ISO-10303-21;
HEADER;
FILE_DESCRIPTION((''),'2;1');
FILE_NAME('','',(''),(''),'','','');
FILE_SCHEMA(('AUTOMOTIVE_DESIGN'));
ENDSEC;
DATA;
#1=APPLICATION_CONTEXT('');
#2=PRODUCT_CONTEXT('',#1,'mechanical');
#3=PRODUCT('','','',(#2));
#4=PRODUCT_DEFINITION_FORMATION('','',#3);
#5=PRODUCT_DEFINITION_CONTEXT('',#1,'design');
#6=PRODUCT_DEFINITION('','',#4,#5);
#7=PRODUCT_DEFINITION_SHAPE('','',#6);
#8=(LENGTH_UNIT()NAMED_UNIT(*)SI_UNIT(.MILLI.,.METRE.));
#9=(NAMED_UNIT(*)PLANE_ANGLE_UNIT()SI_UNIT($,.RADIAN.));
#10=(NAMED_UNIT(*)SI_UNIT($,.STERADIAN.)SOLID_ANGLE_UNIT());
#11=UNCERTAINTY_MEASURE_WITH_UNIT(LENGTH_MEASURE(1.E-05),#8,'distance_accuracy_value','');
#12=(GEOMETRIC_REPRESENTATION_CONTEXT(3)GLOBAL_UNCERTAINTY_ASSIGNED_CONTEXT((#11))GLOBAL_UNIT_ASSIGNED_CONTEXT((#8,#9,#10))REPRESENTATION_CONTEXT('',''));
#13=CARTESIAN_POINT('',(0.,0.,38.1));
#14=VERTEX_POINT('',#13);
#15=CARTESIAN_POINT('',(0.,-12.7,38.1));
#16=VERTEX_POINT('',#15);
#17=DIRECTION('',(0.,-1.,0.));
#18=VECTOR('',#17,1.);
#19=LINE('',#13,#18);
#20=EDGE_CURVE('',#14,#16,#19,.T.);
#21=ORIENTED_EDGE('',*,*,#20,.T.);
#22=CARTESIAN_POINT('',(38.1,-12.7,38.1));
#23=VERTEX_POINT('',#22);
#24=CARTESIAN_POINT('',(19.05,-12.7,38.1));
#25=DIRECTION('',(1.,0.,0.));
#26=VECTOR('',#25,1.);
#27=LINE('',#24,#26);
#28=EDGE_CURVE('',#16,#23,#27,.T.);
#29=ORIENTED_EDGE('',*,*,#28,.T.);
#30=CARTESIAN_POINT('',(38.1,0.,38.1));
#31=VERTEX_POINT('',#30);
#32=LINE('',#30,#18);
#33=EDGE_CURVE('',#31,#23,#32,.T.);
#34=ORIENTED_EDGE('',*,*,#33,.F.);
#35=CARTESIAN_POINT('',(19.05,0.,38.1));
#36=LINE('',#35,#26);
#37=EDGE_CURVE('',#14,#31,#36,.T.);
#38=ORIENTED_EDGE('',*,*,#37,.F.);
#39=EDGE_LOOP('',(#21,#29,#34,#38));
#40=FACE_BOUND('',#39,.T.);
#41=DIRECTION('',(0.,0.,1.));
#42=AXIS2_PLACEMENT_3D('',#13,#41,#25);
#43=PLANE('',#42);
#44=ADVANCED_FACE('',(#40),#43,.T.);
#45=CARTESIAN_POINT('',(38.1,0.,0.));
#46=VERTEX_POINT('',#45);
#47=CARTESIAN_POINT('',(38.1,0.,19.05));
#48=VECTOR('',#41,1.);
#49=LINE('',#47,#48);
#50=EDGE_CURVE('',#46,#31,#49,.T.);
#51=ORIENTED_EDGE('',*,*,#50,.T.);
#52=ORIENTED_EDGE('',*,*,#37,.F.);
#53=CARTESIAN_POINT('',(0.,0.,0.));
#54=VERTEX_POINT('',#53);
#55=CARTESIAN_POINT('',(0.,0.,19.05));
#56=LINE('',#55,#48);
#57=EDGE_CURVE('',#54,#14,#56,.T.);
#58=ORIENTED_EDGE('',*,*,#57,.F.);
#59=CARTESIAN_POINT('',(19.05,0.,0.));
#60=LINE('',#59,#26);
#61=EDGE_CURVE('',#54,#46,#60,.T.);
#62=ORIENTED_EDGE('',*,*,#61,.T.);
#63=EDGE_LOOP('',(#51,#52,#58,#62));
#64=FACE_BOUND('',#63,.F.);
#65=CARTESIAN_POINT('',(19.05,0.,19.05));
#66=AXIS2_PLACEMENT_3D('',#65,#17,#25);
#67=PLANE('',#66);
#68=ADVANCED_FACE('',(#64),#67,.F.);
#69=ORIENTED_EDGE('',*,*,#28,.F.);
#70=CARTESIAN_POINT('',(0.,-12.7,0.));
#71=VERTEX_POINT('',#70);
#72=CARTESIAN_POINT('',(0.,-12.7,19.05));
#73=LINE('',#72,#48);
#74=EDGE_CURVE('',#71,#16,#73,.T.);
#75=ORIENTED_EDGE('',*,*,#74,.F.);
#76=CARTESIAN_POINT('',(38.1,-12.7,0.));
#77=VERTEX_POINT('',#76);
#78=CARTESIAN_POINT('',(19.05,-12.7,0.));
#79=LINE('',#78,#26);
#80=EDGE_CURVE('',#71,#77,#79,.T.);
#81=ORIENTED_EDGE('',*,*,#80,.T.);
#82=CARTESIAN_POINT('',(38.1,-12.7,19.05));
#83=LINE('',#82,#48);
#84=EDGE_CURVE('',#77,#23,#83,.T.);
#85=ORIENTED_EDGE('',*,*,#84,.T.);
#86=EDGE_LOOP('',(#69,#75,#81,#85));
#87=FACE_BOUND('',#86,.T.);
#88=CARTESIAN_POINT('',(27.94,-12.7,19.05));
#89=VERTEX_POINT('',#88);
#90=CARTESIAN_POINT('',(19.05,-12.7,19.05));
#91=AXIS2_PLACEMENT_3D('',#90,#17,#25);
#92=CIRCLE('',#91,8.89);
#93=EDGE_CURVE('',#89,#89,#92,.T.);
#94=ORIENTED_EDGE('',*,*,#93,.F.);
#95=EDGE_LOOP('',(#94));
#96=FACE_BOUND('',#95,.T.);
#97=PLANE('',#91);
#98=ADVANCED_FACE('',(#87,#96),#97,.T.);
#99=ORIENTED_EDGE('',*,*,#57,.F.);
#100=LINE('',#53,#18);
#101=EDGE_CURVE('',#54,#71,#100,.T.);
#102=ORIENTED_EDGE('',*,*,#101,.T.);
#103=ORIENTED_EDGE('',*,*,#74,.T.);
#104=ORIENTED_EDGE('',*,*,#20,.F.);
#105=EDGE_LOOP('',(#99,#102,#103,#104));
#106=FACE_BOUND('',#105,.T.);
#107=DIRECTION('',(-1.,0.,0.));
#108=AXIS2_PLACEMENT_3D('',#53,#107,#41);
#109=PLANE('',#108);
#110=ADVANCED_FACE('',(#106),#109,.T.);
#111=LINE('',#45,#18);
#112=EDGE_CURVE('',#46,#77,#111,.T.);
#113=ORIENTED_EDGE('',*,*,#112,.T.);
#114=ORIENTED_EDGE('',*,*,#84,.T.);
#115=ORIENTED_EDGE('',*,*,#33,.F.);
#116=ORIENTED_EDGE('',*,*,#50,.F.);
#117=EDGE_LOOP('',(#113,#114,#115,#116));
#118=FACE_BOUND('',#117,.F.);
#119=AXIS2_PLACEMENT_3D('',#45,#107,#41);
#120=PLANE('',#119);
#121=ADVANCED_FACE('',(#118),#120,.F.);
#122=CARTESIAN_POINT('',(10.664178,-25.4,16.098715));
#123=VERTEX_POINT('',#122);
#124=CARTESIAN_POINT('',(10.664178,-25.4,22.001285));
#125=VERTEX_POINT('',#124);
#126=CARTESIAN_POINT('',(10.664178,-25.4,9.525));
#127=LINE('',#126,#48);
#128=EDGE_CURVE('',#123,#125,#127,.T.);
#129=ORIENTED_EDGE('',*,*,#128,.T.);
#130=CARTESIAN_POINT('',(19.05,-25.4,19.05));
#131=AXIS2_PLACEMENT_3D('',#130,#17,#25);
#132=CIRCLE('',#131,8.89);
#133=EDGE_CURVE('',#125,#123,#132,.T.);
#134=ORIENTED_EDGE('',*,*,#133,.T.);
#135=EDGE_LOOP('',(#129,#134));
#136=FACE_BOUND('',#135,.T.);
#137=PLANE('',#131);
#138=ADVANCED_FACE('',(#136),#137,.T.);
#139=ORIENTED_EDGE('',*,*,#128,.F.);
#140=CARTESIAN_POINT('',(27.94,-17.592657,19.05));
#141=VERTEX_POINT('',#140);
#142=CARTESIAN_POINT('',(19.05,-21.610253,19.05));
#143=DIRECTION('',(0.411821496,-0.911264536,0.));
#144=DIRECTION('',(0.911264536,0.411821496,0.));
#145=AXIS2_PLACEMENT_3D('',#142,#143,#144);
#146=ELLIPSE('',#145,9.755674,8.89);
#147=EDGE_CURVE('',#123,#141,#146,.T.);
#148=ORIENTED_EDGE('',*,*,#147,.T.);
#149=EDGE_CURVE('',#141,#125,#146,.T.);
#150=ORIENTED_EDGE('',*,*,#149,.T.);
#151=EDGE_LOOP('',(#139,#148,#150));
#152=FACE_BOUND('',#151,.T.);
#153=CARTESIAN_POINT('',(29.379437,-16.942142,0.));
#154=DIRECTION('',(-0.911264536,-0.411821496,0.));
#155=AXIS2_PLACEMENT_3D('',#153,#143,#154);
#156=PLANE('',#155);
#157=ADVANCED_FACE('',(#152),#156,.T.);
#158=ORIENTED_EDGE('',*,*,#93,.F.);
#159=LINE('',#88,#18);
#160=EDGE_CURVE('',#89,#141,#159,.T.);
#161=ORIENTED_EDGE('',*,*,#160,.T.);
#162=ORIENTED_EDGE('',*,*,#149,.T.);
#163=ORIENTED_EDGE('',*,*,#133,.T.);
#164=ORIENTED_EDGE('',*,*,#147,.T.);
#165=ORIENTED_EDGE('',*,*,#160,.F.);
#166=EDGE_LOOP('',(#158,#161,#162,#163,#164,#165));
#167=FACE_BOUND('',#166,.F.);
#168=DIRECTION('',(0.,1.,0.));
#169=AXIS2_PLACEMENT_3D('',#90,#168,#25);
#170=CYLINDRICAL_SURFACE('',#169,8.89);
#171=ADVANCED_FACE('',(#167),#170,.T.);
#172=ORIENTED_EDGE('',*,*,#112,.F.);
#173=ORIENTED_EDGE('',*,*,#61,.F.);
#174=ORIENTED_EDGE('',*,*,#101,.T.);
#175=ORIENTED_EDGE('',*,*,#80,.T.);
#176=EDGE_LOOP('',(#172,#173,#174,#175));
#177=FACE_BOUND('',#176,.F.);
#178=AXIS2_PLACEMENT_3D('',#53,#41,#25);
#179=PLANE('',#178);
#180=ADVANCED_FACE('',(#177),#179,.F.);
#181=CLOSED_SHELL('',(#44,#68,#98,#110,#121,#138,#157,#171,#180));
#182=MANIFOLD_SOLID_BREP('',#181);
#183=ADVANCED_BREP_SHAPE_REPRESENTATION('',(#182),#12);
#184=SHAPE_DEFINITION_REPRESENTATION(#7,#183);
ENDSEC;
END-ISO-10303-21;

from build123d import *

# Parameters (mm, degrees)
F0_W     = 38.1
F0_H     = 38.1
F1_DEPTH = 12.7
F2_R     = 8.89
F3_DEPTH = 12.7
F5_DEPTH = 254


with BuildPart() as f1:
    # F0 (on Front) → F1 (new body)
    with BuildSketch(Plane.XZ):
        with Locations((19.05, 19.05)):
            Rectangle(F0_W, F0_H)
    extrude(amount=F1_DEPTH)

    # F2 (on face) → F3 (join)
    with BuildSketch(Plane.XZ.offset(12.7)):
        with Locations((19.05, 19.05)):
            Circle(F2_R)
    extrude(amount=F3_DEPTH)

    # F4 (on Top) → F5 (cut)
    with BuildSketch(Plane.XY):
        Polygon((29.379437, -16.942142), (9.009695, -26.147699), (29.379437, -26.147699), align=None)
    extrude(amount=F5_DEPTH, mode=Mode.SUBTRACT)


solid = f1.part
